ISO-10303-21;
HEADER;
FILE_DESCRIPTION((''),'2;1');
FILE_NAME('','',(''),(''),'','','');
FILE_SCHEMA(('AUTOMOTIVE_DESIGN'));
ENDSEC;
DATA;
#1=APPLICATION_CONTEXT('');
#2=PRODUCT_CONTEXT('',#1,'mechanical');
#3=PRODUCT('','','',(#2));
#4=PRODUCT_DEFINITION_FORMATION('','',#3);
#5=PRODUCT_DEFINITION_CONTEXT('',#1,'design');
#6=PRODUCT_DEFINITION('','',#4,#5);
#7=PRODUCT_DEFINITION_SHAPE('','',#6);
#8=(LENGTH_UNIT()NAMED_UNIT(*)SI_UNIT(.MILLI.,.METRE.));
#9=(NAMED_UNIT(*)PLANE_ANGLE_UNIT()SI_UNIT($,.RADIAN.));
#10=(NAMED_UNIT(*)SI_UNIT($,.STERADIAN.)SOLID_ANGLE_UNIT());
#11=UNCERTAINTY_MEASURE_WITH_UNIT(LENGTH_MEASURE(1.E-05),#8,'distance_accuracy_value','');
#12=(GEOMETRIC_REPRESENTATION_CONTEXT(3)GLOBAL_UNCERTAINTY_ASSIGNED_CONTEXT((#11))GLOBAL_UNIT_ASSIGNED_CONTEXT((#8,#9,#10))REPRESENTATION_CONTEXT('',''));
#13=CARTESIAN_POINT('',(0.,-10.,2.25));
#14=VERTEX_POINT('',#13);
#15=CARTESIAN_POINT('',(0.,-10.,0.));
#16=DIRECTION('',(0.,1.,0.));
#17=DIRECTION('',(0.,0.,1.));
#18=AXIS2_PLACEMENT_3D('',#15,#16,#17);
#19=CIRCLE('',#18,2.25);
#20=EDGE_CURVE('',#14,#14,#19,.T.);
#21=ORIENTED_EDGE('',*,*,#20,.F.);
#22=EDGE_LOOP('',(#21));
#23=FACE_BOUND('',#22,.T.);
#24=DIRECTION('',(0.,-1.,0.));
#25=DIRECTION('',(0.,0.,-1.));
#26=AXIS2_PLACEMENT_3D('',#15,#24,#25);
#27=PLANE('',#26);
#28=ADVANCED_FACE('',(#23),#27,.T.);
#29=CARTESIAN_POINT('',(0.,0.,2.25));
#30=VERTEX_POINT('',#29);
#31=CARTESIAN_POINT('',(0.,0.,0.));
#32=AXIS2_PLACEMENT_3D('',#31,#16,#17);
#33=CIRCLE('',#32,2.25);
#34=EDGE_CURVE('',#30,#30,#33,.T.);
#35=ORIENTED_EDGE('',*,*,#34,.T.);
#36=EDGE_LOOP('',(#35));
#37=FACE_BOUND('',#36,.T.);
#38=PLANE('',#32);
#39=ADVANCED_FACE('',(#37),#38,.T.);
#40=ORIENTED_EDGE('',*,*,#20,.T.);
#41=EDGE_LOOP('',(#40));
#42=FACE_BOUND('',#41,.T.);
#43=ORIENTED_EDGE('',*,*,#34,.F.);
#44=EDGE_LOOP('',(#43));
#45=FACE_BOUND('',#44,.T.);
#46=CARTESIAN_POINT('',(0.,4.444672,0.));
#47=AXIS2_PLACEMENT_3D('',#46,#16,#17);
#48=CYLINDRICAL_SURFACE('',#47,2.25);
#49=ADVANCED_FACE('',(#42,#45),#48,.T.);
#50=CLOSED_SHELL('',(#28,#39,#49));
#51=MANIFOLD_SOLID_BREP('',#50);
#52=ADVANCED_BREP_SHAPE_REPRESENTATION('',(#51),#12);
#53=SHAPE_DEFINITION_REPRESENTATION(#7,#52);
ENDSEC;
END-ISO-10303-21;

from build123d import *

# Parameters (mm, degrees)
SKETCH1_W = 2.25
SKETCH1_H = 10


with BuildPart() as part:
    # Sketch1 → Revolve1 (revolve)
    with BuildSketch(Plane(origin=(0, 0, 0), x_dir=(0, 0, -1), z_dir=(1, 0, 0))):
        with Locations((-1.125, -5)):
            Rectangle(SKETCH1_W, SKETCH1_H)
    revolve(axis=Axis((0, 4.444672131, 0), (0, -1, 0)))


solid = part.part
